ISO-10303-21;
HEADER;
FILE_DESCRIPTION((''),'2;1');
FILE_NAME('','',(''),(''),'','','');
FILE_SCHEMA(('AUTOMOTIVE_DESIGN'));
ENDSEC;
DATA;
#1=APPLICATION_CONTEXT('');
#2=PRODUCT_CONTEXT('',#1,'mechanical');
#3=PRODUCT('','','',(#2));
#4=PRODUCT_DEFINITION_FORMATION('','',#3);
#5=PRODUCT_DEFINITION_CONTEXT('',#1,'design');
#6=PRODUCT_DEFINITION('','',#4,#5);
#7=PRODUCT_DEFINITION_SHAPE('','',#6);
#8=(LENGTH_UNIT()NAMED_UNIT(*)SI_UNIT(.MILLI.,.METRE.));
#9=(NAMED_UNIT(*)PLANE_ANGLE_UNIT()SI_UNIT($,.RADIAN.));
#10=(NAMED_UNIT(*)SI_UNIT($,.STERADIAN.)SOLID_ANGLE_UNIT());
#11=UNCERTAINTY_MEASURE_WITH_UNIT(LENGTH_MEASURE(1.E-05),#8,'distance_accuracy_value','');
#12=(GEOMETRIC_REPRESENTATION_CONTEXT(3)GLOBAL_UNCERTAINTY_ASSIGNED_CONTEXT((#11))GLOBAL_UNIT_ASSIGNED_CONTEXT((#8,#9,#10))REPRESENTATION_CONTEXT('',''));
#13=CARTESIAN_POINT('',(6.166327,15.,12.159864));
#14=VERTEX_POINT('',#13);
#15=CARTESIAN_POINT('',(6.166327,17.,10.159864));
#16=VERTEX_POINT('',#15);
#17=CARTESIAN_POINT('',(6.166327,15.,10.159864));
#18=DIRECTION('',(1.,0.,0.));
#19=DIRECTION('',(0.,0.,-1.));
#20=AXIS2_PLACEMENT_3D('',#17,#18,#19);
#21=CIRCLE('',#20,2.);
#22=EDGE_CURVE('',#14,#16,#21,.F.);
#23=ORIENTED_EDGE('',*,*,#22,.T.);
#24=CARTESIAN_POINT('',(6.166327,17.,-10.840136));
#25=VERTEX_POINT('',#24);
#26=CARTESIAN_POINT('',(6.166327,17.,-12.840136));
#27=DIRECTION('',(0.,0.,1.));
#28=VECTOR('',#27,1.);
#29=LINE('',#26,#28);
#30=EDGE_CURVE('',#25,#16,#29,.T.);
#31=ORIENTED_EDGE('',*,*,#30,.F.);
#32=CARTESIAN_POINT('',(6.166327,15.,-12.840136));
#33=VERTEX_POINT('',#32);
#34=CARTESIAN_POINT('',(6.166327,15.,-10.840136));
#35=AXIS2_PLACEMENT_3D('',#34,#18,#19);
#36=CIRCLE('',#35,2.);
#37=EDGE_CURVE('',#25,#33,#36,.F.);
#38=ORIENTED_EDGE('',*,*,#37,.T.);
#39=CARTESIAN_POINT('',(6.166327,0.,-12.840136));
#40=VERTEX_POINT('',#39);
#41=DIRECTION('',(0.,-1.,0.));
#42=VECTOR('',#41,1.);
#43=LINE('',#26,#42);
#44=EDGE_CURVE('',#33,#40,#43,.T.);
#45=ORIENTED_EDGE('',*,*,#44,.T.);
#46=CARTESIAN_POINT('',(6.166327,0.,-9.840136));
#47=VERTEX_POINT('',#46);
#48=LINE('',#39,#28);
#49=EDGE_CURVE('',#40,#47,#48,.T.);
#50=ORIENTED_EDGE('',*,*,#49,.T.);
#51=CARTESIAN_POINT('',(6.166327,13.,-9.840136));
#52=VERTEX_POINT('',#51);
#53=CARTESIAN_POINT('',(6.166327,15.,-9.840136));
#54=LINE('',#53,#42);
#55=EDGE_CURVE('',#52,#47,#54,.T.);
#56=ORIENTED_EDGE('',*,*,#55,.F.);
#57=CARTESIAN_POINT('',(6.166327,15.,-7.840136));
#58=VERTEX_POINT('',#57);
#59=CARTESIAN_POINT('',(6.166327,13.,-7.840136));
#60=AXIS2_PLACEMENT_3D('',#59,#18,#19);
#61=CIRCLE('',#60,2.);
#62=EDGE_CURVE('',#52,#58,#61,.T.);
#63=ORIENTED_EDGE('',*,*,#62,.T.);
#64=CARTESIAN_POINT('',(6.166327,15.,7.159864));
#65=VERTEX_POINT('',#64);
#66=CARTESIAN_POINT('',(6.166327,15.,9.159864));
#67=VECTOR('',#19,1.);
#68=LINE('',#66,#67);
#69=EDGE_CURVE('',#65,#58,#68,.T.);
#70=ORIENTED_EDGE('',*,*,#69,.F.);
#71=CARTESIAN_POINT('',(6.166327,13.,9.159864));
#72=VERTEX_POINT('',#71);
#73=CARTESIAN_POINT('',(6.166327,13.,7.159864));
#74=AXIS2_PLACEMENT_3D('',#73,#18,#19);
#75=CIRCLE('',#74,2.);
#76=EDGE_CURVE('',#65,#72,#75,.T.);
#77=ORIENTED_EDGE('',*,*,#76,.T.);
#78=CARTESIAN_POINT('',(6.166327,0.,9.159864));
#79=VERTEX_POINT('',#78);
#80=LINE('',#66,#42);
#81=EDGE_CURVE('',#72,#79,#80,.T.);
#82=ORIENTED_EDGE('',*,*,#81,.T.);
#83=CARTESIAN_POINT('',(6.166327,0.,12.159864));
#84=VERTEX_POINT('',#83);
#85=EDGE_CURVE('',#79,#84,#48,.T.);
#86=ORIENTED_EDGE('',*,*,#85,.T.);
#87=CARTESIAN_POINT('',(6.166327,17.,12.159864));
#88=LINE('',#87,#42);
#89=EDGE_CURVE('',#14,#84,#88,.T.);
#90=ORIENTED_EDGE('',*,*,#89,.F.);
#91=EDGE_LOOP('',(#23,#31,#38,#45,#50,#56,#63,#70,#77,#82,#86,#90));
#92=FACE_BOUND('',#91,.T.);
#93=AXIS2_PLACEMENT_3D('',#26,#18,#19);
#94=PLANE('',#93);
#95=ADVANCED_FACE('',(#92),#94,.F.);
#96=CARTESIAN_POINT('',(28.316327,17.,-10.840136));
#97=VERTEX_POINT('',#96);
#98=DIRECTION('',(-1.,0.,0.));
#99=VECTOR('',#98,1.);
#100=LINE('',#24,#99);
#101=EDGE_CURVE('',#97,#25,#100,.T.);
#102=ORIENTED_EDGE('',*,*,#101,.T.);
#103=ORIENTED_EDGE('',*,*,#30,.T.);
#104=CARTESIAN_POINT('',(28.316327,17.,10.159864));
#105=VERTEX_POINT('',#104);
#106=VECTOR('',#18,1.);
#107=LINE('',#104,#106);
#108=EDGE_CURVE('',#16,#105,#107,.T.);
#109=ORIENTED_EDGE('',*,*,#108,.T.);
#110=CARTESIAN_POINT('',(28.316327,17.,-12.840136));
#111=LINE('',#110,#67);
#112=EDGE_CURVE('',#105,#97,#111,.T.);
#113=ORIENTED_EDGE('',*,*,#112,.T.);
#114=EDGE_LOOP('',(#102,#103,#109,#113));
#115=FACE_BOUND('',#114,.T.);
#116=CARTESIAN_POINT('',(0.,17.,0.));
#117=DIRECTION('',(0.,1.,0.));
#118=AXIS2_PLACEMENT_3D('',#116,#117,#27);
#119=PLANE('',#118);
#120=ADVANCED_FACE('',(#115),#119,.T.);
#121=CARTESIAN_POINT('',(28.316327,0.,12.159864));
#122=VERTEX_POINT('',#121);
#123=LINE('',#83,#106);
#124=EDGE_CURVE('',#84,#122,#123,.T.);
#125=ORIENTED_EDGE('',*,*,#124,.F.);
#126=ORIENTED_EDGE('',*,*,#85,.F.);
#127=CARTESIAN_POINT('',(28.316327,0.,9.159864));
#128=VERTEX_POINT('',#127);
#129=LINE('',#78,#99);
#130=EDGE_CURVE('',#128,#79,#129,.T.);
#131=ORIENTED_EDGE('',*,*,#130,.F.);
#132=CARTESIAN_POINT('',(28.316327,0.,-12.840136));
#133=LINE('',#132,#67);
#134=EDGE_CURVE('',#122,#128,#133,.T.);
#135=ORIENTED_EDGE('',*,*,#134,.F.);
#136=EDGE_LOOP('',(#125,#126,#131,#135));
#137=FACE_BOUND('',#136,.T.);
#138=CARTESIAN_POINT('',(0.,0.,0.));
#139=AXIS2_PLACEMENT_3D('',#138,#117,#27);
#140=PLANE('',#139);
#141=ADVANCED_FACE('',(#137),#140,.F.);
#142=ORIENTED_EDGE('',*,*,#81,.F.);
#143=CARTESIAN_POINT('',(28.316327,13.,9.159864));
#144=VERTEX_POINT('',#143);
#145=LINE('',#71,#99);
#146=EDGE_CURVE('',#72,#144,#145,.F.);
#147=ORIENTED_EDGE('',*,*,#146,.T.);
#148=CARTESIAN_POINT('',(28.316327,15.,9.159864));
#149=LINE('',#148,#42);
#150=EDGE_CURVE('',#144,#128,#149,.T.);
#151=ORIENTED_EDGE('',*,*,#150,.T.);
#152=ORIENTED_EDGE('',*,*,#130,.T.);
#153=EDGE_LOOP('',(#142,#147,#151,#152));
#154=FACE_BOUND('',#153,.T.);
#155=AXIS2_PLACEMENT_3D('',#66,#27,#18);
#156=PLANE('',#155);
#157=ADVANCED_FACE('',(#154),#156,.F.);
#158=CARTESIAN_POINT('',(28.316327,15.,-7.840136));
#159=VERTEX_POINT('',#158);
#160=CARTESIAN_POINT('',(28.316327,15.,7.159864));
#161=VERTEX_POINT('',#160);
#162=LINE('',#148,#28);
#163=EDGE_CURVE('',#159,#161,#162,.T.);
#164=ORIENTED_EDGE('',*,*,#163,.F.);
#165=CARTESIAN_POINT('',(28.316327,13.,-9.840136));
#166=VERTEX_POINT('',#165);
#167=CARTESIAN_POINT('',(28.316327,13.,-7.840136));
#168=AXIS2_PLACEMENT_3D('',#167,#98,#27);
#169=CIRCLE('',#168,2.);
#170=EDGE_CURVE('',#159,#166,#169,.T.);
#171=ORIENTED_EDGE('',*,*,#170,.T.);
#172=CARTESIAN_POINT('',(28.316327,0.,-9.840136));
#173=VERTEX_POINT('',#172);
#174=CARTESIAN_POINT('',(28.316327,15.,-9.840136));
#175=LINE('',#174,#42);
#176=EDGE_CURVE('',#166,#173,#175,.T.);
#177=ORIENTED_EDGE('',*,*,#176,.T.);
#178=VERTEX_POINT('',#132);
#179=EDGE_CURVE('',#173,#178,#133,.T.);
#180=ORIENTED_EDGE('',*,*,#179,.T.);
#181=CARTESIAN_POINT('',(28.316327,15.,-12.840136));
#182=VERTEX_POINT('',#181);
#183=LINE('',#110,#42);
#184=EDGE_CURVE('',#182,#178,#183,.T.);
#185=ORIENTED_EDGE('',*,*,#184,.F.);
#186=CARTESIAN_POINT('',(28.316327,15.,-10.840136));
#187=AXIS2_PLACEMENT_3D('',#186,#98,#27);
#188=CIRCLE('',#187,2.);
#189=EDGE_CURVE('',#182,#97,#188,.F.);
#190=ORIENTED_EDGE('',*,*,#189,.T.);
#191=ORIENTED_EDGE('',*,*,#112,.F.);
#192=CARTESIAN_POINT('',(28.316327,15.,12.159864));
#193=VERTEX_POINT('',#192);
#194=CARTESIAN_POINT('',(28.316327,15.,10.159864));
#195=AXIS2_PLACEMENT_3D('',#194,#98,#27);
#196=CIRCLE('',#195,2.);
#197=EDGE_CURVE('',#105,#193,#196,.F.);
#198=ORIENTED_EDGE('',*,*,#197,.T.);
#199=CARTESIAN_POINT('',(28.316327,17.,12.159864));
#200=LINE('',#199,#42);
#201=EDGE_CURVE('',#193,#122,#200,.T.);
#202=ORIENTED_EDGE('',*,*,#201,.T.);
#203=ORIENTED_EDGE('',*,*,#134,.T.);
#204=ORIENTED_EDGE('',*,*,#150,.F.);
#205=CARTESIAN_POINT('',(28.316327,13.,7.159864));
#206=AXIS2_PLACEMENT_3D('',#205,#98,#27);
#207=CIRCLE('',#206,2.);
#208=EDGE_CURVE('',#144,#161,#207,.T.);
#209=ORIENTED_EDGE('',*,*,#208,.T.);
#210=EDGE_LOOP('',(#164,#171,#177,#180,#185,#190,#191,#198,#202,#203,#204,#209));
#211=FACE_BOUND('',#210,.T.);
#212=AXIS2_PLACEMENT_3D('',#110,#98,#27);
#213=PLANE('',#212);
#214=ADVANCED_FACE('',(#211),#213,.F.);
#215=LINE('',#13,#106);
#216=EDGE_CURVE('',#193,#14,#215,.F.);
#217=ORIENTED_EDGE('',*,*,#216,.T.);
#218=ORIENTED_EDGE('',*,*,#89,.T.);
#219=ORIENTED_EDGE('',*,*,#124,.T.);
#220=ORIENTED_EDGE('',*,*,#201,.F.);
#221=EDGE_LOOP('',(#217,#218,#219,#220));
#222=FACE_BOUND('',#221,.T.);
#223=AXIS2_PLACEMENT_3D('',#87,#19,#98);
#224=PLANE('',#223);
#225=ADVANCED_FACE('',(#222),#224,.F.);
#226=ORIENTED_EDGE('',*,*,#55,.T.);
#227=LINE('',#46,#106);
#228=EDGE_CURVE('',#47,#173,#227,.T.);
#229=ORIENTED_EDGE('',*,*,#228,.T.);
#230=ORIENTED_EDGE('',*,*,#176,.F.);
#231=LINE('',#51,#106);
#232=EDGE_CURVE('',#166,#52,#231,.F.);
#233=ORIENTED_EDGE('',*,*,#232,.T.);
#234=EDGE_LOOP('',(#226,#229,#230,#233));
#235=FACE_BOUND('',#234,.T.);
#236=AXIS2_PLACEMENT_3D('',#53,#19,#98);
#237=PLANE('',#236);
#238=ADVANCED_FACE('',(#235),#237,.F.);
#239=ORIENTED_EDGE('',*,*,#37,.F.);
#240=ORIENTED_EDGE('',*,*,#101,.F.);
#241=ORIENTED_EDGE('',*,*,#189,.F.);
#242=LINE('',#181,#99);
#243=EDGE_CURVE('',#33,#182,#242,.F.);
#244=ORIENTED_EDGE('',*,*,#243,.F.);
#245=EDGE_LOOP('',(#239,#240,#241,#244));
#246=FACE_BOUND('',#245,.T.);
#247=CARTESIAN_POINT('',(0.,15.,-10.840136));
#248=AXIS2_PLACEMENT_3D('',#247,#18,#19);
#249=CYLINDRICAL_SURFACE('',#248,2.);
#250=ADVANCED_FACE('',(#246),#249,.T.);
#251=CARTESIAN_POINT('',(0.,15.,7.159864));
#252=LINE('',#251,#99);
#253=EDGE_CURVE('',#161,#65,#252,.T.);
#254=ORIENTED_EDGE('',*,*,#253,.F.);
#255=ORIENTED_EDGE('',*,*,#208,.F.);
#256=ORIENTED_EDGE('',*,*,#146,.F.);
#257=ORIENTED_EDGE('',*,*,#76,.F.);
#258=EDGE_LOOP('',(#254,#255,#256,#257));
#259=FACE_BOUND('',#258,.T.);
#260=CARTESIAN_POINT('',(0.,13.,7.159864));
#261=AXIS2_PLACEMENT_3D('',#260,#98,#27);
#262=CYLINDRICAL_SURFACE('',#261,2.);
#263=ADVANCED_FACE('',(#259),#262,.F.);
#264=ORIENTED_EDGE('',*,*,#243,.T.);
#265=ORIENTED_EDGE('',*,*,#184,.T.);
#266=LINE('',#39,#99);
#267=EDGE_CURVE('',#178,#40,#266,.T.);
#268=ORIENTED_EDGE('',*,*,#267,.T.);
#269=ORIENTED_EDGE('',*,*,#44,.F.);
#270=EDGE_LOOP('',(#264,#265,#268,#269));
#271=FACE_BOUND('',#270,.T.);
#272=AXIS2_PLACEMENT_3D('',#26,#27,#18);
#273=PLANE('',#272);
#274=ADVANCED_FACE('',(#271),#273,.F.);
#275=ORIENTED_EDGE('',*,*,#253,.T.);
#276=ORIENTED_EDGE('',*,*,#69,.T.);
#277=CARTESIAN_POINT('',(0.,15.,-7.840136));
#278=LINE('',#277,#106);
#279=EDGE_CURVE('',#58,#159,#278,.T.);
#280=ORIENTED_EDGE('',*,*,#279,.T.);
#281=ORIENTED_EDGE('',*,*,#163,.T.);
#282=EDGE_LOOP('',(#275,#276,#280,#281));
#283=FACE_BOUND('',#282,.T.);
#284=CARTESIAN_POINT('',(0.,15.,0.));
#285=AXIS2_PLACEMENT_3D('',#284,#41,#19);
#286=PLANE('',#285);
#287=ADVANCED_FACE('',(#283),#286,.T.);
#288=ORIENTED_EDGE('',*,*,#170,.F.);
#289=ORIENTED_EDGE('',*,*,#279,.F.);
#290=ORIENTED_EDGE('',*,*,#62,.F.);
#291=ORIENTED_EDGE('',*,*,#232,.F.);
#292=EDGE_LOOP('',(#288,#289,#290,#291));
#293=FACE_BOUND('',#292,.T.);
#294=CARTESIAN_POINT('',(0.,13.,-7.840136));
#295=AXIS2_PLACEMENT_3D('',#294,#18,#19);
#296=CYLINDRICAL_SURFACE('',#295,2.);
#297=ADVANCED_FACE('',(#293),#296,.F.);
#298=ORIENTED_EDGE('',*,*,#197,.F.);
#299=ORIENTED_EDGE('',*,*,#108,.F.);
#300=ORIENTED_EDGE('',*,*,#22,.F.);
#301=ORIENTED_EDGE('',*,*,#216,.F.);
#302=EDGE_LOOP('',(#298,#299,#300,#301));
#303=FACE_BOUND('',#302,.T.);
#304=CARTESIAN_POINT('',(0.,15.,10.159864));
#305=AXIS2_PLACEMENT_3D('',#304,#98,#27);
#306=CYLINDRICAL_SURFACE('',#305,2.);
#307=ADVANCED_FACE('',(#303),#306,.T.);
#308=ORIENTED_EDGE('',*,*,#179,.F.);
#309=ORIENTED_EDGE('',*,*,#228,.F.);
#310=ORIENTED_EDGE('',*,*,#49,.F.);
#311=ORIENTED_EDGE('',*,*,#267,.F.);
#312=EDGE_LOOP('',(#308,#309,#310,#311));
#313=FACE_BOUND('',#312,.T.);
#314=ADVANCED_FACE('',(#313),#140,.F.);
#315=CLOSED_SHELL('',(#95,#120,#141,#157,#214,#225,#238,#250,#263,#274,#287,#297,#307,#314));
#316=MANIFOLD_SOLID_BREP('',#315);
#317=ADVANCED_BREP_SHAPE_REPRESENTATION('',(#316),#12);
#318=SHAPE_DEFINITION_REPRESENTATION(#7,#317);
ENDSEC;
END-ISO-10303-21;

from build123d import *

# Parameters (mm, degrees)
ESQUISSE2_W             = 22.15
ESQUISSE2_H             = 25
BOSS_EXTRU_1_DEPTH      = 17
ESQUISSE3_W             = 22.15
ESQUISSE3_H             = 19
ENL_V_MAT_EXTRU_1_DEPTH = 15
CONG_1_R                = 2
CONG_2_R                = 2


with BuildPart() as part:
    # Esquisse2 → Boss.-Extru.1 (new body)
    with BuildSketch(Plane(origin=(0, 0, 0), x_dir=(1, 0, 0), z_dir=(0, 1, 0))):
        with Locations((17.241326531, 0.340136054)):
            Rectangle(ESQUISSE2_W, ESQUISSE2_H)
    extrude(amount=BOSS_EXTRU_1_DEPTH)

    # Esquisse3 → Enlèv. mat.-Extru.1 (cut)
    with BuildSketch(Plane.XZ):
        with Locations((17.241326531, -0.340136054)):
            Rectangle(ESQUISSE3_W, ESQUISSE3_H)
    extrude(amount=-ENL_V_MAT_EXTRU_1_DEPTH, mode=Mode.SUBTRACT)

    # Congé1
    cong_1_edges = [part.edges().sort_by_distance(p)[0] for p in [
        (17.241326531, 15, 9.159863946),
        (17.241326531, 15, -9.840136054),
    ]]
    fillet(cong_1_edges, radius=CONG_1_R)

    # Congé2
    cong_2_edges = [part.edges().sort_by_distance(p)[0] for p in [
        (17.241326531, 17, -12.840136054),
        (17.241326531, 17, 12.159863946),
    ]]
    fillet(cong_2_edges, radius=CONG_2_R)


solid = part.part
